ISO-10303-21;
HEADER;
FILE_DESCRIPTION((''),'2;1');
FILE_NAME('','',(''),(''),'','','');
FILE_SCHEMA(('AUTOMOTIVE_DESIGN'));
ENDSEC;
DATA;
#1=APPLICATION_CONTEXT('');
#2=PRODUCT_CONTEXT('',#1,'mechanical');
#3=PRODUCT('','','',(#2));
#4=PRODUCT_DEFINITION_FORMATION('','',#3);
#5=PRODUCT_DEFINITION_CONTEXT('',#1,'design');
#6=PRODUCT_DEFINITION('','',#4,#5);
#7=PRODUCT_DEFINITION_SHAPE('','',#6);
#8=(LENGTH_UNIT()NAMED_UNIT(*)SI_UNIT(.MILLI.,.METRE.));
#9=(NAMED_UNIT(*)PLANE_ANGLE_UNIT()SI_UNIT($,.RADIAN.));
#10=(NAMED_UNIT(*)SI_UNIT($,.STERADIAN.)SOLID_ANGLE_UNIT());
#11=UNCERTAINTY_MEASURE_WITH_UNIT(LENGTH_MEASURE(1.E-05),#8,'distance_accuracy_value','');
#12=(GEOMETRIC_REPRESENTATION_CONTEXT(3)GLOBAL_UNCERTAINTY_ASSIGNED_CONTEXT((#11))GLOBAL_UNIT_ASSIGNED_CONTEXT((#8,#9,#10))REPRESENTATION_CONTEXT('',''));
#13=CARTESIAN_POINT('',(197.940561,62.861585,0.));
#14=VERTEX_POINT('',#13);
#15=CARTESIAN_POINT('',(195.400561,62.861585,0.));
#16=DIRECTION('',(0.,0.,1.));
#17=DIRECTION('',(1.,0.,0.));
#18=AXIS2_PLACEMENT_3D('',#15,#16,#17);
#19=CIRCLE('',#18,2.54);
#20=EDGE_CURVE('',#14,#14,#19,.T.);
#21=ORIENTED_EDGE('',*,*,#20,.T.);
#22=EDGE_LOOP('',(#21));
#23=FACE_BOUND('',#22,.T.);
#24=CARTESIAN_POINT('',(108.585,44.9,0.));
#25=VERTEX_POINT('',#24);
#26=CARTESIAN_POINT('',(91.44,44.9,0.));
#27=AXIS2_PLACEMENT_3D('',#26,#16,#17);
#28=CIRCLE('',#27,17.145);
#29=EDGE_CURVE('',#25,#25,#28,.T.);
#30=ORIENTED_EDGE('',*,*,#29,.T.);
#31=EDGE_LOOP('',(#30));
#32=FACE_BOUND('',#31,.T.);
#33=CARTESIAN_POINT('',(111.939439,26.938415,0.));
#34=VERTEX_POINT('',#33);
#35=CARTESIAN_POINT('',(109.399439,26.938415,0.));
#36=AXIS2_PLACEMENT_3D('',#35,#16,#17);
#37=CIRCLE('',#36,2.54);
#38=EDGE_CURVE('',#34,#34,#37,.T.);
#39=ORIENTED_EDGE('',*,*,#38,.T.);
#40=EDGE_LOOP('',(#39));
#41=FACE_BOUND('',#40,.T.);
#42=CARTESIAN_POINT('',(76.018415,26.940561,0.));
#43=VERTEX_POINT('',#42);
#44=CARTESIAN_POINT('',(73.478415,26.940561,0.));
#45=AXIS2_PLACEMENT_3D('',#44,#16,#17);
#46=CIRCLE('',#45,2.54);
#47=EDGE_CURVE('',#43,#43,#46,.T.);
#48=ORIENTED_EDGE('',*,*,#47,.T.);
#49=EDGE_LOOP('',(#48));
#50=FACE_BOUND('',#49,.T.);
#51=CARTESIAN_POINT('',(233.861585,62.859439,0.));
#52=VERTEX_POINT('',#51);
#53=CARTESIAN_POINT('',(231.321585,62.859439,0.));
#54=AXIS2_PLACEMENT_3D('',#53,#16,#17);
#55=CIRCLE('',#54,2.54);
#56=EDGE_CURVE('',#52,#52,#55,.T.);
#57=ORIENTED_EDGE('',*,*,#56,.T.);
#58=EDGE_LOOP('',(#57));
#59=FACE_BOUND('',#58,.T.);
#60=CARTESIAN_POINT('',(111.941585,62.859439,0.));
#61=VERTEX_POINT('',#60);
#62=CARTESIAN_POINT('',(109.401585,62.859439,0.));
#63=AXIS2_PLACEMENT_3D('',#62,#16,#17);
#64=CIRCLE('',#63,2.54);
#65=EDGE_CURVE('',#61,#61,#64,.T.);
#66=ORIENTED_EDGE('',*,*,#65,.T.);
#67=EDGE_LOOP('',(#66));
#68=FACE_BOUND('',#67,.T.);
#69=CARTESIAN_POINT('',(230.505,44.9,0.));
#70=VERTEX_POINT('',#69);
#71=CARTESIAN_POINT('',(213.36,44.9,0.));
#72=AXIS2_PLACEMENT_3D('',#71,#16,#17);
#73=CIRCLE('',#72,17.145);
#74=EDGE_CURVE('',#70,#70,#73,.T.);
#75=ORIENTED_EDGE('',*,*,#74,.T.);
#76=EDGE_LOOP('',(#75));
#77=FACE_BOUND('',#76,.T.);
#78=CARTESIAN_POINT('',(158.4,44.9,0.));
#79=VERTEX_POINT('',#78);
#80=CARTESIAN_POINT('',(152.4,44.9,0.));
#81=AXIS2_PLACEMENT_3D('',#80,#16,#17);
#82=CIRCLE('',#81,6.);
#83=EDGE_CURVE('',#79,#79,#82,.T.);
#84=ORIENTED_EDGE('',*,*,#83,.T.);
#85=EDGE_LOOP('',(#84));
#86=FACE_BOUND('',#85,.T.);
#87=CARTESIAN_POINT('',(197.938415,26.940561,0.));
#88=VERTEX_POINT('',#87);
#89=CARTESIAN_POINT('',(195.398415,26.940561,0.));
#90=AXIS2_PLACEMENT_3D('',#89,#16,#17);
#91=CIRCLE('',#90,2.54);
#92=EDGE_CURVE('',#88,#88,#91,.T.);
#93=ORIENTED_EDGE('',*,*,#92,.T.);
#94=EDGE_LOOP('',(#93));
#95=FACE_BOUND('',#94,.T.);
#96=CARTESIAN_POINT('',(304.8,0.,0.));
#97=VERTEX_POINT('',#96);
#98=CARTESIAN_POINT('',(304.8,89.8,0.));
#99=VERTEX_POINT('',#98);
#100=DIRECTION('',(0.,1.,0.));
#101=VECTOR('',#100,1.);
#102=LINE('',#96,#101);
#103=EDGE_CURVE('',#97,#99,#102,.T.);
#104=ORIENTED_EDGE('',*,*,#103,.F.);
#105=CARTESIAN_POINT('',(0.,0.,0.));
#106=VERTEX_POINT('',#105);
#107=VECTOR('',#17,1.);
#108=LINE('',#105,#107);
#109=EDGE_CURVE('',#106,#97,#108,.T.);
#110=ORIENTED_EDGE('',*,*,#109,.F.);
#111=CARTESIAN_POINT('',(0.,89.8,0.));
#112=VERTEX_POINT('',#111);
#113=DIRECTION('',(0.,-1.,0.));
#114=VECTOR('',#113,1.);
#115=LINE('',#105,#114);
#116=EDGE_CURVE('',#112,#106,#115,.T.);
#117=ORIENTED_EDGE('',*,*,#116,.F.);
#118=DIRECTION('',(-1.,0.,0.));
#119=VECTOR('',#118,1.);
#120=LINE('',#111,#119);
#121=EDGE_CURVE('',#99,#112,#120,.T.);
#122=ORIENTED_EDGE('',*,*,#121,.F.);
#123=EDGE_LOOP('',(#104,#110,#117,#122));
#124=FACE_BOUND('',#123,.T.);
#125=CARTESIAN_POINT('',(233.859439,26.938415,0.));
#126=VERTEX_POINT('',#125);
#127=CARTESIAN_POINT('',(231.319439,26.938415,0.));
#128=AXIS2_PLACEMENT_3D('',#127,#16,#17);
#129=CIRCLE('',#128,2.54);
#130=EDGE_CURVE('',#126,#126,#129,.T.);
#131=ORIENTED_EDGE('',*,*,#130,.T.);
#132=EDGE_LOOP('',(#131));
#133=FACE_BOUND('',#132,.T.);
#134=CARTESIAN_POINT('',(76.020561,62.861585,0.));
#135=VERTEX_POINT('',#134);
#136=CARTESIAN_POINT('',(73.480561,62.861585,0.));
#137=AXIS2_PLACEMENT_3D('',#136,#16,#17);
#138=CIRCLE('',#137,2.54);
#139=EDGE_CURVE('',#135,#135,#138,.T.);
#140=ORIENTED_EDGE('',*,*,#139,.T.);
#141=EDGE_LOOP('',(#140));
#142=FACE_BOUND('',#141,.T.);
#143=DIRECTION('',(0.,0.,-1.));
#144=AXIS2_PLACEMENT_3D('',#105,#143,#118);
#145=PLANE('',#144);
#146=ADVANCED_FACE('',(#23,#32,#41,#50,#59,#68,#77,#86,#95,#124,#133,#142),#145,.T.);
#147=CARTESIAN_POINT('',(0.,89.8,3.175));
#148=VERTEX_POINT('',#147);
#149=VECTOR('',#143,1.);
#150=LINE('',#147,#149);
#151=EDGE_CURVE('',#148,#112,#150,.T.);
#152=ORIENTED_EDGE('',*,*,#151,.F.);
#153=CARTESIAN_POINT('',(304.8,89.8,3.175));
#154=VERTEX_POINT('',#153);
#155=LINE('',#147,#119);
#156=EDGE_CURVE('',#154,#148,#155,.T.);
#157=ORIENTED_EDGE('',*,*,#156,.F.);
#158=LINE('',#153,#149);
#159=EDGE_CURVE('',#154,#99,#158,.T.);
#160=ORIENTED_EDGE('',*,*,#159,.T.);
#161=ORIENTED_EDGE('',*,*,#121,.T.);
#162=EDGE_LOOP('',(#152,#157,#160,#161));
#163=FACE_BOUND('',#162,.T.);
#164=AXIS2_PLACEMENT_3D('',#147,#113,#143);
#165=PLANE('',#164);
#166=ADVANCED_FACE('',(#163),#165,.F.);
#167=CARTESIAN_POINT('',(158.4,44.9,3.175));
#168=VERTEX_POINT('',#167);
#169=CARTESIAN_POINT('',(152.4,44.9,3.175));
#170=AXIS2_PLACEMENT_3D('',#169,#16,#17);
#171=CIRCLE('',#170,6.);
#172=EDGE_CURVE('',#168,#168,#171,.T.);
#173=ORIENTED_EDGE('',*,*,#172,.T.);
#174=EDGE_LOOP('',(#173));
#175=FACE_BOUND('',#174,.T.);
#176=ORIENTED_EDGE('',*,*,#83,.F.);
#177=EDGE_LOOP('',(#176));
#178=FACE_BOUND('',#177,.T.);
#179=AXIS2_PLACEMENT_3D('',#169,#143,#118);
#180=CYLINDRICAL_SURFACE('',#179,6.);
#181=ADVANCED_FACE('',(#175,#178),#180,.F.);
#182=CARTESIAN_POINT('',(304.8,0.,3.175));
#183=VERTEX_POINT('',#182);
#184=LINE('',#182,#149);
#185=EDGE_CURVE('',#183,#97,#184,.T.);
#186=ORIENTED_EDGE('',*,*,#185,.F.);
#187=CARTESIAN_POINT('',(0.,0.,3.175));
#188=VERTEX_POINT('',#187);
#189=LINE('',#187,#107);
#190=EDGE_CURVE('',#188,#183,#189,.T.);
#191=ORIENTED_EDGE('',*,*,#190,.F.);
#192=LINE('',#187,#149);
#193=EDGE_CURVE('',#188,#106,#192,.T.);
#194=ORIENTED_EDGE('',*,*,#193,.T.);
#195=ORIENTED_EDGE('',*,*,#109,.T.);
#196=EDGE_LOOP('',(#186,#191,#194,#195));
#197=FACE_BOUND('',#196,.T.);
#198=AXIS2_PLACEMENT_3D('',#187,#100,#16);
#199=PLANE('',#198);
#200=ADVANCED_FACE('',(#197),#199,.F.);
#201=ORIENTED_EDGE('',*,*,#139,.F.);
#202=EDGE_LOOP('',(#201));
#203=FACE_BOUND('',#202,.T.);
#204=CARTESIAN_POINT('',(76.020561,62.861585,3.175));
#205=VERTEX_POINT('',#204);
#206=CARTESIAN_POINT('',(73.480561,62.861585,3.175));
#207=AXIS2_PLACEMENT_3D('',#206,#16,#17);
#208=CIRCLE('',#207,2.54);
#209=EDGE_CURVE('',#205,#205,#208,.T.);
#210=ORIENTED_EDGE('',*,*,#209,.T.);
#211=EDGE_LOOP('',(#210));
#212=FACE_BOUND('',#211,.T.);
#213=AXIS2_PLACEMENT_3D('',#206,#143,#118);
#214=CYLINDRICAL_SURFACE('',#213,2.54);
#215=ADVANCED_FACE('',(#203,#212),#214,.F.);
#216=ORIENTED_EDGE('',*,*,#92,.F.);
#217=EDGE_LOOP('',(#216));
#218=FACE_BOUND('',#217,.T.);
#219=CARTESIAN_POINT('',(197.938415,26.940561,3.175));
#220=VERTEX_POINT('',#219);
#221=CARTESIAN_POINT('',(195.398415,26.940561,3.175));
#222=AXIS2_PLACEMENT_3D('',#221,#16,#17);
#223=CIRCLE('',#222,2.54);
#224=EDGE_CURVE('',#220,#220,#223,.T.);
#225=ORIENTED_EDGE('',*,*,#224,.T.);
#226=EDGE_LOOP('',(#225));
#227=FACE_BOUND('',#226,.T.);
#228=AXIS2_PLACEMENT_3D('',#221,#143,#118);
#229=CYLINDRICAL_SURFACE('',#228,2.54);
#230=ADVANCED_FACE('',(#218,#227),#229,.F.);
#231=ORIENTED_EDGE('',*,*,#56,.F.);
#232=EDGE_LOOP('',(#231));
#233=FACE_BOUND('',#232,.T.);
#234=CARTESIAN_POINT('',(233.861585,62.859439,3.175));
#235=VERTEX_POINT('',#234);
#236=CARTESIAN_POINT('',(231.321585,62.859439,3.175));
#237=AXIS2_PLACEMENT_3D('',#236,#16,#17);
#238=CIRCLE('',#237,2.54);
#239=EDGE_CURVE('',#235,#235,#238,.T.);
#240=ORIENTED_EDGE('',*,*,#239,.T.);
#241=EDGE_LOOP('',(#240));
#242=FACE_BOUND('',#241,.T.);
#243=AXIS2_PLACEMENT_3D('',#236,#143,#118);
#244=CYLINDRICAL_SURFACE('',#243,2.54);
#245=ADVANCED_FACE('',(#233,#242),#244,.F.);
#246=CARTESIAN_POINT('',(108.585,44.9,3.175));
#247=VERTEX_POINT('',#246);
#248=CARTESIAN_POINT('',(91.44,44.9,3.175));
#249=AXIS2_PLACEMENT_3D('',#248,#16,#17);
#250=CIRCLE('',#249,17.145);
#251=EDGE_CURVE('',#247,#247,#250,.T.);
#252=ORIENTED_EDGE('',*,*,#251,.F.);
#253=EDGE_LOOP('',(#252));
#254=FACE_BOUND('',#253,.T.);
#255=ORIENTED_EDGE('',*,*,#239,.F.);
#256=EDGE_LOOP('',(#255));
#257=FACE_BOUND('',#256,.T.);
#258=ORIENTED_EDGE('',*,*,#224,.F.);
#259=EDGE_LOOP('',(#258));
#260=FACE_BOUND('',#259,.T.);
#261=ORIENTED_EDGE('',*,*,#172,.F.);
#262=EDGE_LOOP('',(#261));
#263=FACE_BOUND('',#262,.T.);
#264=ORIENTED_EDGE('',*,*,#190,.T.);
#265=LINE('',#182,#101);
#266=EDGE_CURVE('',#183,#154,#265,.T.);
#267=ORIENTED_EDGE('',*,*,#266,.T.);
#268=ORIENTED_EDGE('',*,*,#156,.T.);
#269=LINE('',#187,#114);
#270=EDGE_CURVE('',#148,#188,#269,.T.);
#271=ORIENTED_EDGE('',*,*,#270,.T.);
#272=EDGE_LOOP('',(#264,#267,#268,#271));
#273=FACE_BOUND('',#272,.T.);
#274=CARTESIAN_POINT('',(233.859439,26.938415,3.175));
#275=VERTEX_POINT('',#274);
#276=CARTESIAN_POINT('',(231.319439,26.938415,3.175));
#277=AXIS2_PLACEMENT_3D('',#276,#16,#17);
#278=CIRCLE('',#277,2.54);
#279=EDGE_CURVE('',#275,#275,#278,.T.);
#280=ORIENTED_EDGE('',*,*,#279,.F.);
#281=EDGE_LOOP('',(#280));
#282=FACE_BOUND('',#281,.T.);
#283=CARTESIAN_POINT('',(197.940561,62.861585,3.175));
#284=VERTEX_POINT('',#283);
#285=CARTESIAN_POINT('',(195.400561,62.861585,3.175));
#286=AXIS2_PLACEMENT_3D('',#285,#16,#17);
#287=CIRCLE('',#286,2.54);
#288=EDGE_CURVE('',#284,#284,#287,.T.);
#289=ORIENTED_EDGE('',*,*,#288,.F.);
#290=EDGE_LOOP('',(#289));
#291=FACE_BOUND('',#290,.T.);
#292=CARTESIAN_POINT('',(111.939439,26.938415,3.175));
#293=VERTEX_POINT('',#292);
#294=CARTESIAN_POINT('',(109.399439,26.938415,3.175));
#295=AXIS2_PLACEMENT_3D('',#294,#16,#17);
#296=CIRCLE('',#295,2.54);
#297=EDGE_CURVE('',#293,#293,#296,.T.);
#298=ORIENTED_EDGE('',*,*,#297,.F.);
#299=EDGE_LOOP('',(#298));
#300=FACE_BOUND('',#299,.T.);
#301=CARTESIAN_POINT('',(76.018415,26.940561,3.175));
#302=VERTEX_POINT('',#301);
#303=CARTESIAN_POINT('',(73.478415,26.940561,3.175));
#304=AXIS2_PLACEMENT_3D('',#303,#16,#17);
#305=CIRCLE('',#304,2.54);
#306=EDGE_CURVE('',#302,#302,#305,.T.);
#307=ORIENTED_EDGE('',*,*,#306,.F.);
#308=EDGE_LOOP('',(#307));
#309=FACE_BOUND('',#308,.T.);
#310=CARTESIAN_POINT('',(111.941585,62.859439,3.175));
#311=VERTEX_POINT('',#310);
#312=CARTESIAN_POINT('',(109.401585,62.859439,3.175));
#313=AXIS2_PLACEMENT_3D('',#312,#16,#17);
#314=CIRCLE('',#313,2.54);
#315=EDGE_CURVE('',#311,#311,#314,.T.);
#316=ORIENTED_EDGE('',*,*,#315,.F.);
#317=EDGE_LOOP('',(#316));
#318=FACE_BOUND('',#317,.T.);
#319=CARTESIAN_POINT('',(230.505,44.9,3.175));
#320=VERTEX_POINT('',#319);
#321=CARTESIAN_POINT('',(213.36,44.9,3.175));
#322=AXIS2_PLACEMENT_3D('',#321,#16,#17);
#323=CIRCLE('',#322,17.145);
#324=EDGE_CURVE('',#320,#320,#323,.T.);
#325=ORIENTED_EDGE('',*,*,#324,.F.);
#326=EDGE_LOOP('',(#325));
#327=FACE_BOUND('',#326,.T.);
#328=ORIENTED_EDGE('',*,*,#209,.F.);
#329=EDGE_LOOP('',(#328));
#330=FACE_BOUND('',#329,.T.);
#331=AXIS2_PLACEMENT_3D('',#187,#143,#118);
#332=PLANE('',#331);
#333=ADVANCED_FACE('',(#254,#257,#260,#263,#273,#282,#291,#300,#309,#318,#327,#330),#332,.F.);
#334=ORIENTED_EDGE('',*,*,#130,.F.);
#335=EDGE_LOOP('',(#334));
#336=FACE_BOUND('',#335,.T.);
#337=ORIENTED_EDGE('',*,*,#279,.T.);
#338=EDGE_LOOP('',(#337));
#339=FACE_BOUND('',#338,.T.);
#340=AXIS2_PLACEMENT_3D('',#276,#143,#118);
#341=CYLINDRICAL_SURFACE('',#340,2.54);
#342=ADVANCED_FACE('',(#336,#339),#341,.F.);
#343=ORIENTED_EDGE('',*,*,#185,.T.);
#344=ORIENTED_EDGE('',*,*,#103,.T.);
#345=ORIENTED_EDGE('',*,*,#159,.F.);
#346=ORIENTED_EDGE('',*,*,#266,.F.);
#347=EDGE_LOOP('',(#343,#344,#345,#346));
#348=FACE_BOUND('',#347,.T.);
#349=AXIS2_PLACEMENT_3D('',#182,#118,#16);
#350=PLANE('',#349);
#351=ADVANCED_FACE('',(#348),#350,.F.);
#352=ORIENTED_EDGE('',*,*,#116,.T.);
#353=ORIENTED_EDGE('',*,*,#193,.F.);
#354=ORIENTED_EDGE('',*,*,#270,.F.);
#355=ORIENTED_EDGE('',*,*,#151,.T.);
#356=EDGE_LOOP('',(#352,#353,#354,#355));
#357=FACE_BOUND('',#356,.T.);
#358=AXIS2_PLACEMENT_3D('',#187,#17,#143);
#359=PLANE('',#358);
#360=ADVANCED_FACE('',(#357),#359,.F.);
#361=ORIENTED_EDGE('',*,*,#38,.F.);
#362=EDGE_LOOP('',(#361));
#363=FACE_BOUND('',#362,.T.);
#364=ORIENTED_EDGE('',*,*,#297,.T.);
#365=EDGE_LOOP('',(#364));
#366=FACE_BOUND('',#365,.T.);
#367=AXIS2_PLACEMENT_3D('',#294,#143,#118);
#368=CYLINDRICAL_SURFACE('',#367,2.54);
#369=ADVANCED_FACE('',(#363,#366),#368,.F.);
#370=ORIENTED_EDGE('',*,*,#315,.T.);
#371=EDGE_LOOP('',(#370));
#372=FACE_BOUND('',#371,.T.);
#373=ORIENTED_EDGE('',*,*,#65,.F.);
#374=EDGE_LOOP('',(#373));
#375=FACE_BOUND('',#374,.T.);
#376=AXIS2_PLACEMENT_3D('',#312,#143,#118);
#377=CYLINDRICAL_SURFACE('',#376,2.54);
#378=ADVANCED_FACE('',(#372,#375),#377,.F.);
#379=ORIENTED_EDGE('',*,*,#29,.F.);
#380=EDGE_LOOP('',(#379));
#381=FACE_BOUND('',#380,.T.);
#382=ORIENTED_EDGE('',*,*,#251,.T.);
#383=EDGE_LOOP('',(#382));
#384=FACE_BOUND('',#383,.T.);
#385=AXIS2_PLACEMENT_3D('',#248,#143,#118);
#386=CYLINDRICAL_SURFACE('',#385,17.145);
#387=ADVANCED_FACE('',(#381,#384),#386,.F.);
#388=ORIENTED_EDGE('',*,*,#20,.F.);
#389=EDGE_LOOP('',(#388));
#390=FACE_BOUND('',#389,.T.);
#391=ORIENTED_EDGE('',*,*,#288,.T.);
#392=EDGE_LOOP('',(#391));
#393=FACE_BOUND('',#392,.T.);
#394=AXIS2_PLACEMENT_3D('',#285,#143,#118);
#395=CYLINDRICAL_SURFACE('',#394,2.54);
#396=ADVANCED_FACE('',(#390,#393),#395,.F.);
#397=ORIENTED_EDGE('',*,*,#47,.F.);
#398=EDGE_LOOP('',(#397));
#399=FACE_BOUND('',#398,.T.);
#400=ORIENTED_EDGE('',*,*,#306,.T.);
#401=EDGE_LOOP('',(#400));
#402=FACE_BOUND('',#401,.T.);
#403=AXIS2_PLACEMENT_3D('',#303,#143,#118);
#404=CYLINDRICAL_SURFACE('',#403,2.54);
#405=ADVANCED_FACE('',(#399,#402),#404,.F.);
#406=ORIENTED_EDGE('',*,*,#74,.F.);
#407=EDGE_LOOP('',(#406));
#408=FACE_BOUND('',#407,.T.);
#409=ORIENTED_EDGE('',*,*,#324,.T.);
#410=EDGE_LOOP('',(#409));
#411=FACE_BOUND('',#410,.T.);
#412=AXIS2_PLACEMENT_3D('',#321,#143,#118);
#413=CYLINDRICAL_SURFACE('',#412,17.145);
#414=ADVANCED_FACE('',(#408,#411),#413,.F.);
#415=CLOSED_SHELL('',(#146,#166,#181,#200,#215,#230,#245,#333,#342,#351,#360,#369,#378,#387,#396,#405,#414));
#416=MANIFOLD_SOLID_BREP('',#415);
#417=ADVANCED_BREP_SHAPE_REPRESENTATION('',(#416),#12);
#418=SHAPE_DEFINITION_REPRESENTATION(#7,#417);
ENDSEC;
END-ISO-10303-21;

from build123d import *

# Parameters (mm, degrees)
SKETCH1_W           = 304.8
SKETCH1_H           = 89.8
SKETCH1_R           = 6
SKETCH1_R_2         = 2.54
SKETCH1_R_3         = 17.145
BOSS_EXTRUDE1_DEPTH = 3.175


with BuildPart() as part:
    # Sketch1 → Boss-Extrude1 (new body)
    with BuildSketch(Plane.XY):
        with Locations((152.4, 44.9)):
            Rectangle(SKETCH1_W, SKETCH1_H)
        with Locations((152.4, 44.9)):
            Circle(SKETCH1_R, mode=Mode.SUBTRACT)
        with Locations((109.401585406, 62.859439014)):
            Circle(SKETCH1_R_2, mode=Mode.SUBTRACT)
        with Locations((109.399439014, 26.938414594)):
            Circle(SKETCH1_R_2, mode=Mode.SUBTRACT)
        with Locations((73.478414594, 26.940560986)):
            Circle(SKETCH1_R_2, mode=Mode.SUBTRACT)
        with Locations((73.480560986, 62.861585406)):
            Circle(SKETCH1_R_2, mode=Mode.SUBTRACT)
        with Locations((91.44, 44.9)):
            Circle(SKETCH1_R_3, mode=Mode.SUBTRACT)
        with Locations((195.400560986, 62.861585406)):
            Circle(SKETCH1_R_2, mode=Mode.SUBTRACT)
        with Locations((231.321585406, 62.859439014)):
            Circle(SKETCH1_R_2, mode=Mode.SUBTRACT)
        with Locations((231.319439014, 26.938414594)):
            Circle(SKETCH1_R_2, mode=Mode.SUBTRACT)
        with Locations((195.398414594, 26.940560986)):
            Circle(SKETCH1_R_2, mode=Mode.SUBTRACT)
        with Locations((213.36, 44.9)):
            Circle(SKETCH1_R_3, mode=Mode.SUBTRACT)
    extrude(amount=BOSS_EXTRUDE1_DEPTH)


solid = part.part
